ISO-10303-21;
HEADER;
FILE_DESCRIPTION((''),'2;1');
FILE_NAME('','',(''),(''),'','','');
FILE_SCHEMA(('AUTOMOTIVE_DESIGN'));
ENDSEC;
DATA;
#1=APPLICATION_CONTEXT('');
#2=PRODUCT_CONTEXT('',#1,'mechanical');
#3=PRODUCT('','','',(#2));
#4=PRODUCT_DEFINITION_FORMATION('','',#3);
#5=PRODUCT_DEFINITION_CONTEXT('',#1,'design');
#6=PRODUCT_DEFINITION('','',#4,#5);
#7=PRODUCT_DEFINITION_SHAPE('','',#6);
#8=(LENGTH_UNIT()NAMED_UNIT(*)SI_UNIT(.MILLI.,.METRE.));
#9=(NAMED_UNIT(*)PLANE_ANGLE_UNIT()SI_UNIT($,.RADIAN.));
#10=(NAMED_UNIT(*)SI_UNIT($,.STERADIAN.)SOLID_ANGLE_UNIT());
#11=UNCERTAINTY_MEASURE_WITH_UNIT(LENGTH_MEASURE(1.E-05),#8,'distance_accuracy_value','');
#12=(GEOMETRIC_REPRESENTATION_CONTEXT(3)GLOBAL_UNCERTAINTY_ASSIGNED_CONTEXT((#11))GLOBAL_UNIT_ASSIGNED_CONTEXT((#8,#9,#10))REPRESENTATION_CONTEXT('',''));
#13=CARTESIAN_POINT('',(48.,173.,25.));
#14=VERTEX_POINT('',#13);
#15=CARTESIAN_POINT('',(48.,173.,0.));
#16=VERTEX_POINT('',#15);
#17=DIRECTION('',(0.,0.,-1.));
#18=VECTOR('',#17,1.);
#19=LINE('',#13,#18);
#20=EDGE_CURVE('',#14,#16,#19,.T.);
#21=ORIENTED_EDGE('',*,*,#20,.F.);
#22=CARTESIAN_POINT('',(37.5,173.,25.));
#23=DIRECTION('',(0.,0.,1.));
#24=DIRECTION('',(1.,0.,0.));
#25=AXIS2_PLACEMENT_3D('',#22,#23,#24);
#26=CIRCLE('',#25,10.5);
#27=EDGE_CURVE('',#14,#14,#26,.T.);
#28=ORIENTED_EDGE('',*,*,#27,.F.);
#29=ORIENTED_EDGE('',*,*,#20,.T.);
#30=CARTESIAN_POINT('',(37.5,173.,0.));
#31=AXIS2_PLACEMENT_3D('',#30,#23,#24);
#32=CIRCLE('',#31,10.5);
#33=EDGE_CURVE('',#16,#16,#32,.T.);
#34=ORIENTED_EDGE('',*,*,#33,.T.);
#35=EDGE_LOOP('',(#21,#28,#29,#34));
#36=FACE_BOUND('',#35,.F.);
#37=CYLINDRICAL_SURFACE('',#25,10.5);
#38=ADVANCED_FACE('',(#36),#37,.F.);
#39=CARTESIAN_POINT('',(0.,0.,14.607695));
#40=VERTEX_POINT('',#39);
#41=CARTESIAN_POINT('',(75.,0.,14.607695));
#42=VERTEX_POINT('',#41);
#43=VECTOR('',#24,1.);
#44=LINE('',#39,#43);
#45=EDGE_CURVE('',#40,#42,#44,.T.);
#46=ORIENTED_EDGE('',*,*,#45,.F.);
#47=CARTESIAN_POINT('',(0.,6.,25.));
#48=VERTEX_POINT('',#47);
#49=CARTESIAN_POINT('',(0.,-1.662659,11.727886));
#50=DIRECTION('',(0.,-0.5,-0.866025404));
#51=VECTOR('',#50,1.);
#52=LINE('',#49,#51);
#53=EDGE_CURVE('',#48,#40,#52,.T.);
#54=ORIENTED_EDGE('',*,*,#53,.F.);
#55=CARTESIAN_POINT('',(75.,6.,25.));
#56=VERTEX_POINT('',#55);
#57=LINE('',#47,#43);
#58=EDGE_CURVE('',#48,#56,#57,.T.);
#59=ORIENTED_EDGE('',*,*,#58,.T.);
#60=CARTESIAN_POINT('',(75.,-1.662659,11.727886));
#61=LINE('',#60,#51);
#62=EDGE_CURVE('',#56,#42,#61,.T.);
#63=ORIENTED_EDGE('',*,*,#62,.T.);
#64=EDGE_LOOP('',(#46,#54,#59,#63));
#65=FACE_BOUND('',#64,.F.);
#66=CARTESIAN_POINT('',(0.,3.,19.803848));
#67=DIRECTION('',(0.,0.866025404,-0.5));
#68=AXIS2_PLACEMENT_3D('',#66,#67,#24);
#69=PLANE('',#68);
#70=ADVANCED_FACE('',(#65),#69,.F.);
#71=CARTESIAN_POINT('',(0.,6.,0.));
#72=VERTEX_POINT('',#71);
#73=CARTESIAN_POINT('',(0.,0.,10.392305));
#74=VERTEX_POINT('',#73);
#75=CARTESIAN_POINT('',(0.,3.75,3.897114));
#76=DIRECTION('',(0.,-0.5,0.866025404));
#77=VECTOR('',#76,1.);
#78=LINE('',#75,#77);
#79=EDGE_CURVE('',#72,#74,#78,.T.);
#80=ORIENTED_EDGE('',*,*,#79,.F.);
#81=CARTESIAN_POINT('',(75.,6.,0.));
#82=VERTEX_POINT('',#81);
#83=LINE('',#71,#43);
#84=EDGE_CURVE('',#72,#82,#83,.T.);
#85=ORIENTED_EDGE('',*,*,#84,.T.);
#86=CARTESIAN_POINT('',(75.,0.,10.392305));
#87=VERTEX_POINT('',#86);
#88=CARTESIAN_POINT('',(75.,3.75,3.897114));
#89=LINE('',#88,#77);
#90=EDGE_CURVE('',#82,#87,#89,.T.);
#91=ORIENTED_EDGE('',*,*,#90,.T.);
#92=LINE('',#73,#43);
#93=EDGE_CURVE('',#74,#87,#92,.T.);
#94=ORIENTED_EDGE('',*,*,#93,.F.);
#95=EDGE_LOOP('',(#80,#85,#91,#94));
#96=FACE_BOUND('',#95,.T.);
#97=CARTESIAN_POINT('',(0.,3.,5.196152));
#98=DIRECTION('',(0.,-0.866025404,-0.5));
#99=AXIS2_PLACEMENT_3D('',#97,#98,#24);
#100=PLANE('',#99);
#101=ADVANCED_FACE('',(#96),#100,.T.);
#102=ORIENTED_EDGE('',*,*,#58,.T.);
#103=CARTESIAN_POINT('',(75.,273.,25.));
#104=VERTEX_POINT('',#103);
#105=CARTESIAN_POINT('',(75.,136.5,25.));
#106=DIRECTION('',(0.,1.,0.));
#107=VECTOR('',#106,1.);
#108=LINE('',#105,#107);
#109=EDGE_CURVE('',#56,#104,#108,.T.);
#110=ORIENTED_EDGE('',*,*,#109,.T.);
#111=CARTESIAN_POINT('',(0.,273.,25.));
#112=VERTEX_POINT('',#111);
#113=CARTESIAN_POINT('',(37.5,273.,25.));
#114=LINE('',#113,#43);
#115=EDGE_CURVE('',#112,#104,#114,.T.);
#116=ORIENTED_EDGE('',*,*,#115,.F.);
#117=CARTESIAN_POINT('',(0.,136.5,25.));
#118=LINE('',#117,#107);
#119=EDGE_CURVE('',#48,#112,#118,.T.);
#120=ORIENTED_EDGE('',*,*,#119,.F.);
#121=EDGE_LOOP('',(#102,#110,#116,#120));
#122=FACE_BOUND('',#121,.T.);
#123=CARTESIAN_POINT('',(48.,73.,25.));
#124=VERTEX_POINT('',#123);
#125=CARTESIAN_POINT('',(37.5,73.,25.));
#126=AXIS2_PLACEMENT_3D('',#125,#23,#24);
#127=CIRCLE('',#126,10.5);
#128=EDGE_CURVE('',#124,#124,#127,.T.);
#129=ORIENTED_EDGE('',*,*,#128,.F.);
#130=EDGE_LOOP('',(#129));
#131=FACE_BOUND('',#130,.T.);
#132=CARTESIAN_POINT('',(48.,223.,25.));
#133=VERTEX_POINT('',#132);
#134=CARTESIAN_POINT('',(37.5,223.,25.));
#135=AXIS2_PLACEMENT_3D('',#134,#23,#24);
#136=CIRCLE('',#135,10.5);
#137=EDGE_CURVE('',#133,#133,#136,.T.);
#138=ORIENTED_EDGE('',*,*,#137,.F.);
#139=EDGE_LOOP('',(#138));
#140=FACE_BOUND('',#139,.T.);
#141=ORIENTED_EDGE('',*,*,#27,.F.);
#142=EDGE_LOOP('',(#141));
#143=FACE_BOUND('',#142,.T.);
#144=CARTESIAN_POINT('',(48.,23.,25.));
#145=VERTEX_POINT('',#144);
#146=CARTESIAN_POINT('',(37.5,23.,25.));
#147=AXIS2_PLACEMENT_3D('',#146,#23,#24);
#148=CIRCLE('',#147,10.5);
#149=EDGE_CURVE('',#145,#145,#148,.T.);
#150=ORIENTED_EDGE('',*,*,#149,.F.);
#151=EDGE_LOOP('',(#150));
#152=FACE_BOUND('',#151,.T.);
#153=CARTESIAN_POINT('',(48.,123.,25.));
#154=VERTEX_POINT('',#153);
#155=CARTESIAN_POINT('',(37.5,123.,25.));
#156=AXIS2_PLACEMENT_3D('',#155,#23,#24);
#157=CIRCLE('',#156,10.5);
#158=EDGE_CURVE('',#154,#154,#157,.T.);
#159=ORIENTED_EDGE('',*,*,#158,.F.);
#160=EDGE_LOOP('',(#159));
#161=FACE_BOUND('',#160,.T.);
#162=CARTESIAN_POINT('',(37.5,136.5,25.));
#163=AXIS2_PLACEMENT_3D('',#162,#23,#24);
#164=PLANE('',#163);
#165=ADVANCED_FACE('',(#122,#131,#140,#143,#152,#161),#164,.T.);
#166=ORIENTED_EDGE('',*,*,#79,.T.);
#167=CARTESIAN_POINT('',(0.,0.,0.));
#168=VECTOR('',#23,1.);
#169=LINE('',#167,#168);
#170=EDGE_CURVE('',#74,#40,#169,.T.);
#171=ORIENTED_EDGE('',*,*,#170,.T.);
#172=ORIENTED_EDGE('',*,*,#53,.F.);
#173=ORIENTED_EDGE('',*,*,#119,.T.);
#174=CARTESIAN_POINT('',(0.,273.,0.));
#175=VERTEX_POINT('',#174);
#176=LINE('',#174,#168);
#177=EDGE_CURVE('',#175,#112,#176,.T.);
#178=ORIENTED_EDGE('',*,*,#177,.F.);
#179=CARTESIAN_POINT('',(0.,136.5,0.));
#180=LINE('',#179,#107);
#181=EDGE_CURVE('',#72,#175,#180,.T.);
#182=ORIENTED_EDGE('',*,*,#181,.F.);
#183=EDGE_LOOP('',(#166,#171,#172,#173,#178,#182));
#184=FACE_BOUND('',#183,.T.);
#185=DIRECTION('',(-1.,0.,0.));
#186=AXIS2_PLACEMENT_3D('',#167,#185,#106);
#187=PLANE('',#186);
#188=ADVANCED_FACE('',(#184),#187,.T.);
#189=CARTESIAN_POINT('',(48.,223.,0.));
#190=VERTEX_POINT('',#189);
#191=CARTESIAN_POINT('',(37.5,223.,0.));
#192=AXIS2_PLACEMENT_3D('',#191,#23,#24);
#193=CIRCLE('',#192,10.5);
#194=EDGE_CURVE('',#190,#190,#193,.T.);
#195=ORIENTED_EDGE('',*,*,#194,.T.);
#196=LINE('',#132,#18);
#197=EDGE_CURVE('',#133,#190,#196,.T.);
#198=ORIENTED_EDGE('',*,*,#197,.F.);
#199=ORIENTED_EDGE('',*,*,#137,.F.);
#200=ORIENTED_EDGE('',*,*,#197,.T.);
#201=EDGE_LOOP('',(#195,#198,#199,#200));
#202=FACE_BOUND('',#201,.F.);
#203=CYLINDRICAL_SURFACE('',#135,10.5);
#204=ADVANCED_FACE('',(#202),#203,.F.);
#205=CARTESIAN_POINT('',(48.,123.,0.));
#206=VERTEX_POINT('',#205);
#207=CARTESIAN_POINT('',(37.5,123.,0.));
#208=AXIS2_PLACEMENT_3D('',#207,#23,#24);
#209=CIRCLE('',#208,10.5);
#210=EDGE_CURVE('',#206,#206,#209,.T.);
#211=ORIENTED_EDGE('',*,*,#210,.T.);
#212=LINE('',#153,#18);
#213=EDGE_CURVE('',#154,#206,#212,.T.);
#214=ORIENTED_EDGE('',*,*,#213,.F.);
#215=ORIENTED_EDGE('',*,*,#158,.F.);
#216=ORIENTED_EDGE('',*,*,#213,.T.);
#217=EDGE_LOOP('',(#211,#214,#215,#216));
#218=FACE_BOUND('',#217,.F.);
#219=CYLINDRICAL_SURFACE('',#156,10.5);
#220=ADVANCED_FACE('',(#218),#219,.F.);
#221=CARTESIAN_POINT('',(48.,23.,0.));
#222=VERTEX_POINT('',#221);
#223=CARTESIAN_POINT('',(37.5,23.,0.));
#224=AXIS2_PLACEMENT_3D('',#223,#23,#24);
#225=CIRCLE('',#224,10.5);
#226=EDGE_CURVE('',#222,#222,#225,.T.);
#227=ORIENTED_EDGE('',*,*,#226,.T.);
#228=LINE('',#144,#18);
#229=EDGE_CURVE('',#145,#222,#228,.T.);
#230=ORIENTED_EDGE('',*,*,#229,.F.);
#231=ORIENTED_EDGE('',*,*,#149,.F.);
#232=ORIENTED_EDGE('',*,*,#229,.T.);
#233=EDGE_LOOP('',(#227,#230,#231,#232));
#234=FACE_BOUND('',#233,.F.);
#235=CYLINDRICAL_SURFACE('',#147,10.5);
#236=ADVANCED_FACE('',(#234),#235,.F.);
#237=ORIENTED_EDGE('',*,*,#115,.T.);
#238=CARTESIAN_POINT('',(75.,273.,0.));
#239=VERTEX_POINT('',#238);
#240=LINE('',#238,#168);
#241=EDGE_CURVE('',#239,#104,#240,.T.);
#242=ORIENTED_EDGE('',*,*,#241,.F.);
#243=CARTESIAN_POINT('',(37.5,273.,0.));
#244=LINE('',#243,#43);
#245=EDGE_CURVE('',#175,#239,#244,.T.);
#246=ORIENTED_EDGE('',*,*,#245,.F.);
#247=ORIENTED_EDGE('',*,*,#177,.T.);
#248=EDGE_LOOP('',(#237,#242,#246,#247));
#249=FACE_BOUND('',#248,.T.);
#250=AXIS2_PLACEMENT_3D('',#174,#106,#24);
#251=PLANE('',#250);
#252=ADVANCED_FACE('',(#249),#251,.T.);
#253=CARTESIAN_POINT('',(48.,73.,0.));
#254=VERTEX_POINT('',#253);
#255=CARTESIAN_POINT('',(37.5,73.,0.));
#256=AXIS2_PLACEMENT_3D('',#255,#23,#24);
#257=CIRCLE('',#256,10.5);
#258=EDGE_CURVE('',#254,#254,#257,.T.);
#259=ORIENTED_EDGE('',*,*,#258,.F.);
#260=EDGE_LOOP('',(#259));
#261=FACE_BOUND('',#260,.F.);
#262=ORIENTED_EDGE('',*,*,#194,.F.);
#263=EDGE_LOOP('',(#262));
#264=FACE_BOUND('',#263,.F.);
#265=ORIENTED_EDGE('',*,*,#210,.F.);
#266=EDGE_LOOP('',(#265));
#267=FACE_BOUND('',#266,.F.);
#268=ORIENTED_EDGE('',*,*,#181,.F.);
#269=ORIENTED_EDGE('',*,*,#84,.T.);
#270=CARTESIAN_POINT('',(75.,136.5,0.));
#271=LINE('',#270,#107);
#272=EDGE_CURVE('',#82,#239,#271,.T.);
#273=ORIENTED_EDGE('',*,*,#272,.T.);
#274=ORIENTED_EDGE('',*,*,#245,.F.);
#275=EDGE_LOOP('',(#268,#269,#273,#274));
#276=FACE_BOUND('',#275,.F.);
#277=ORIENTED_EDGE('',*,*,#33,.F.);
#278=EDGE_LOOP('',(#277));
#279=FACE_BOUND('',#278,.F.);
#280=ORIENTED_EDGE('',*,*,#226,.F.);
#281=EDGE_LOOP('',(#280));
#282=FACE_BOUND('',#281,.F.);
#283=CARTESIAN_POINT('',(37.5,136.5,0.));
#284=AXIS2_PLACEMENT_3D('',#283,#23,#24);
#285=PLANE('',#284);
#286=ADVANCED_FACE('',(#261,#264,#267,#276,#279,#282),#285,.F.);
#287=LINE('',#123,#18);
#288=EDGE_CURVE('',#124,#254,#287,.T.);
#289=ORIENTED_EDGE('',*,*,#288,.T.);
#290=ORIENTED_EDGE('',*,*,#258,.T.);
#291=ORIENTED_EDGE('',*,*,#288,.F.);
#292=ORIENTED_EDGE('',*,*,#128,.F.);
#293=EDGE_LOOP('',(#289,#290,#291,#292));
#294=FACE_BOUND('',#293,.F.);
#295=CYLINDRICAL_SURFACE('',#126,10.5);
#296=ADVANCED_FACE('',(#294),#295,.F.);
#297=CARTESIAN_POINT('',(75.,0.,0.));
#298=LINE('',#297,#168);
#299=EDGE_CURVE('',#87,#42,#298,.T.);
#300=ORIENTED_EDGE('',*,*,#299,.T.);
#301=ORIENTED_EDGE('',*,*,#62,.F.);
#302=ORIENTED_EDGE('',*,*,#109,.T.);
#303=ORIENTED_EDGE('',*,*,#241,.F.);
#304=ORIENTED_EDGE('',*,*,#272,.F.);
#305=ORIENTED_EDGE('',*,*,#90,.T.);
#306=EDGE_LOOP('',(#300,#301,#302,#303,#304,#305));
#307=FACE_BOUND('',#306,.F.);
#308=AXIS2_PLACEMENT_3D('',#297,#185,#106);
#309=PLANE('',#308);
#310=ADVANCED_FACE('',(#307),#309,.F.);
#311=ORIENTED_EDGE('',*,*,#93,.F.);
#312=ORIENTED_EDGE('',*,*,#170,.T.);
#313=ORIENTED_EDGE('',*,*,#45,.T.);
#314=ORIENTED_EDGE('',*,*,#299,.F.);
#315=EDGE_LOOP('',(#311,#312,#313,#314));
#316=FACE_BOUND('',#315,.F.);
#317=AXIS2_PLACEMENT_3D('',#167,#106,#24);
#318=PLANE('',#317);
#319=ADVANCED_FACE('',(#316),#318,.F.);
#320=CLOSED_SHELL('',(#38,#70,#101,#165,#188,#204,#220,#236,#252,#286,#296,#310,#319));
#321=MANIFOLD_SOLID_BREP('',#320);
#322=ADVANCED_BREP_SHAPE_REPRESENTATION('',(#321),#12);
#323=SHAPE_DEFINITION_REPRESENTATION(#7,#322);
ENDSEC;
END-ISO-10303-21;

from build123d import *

# Parameters (mm, degrees)
SKETCH_1_W          = 75
SKETCH_1_H          = 273
EXTRUDE_1_DEPTH     = 25
SKETCH_2_R          = 10.5
CUT_EXTRUDE_1_DEPTH = 26
CHAMFER_1_SIZE      = 6
CHAMFER_1_SIZE2     = 10.392304845
CHAMFER_2_SIZE      = 6
CHAMFER_2_SIZE2     = 10.392304845


with BuildPart() as part:
    # Эскиз1 → Бобышка-Вытянуть1 (new body)
    with BuildSketch(Plane.XY):
        with Locations((37.5, 136.5)):
            Rectangle(SKETCH_1_W, SKETCH_1_H)
    extrude(amount=EXTRUDE_1_DEPTH)

    # Эскиз2 → Вырез-Вытянуть1 (cut, through all)
    with BuildSketch(Plane.XY.offset(25)):
        with Locations((37.5, 23)):
            Circle(SKETCH_2_R)
        with Locations((37.5, 73)):
            Circle(SKETCH_2_R)
        with Locations((37.5, 123)):
            Circle(SKETCH_2_R)
        with Locations((37.5, 173)):
            Circle(SKETCH_2_R)
        with Locations((37.5, 223)):
            Circle(SKETCH_2_R)
    extrude(amount=-CUT_EXTRUDE_1_DEPTH, mode=Mode.SUBTRACT)

    # Фаска1
    chamfer_1_edges = [part.edges().sort_by_distance(p)[0] for p in [
        (37.5, 0, 0),
    ]]
    chamfer_1_side = [part.faces().sort_by_distance(p)[0] for p in [
        (37.5, 137.747350693, 0),
    ]]
    chamfer(chamfer_1_edges, length=CHAMFER_1_SIZE, length2=CHAMFER_1_SIZE2, reference=chamfer_1_side[0])

    # Фаска2
    chamfer_2_edges = [part.edges().sort_by_distance(p)[0] for p in [
        (37.5, 0, 25),
    ]]
    chamfer_2_side = [part.faces().sort_by_distance(p)[0] for p in [
        (37.5, 137.747350693, 25),
    ]]
    chamfer(chamfer_2_edges, length=CHAMFER_2_SIZE, length2=CHAMFER_2_SIZE2, reference=chamfer_2_side[0])


solid = part.part
